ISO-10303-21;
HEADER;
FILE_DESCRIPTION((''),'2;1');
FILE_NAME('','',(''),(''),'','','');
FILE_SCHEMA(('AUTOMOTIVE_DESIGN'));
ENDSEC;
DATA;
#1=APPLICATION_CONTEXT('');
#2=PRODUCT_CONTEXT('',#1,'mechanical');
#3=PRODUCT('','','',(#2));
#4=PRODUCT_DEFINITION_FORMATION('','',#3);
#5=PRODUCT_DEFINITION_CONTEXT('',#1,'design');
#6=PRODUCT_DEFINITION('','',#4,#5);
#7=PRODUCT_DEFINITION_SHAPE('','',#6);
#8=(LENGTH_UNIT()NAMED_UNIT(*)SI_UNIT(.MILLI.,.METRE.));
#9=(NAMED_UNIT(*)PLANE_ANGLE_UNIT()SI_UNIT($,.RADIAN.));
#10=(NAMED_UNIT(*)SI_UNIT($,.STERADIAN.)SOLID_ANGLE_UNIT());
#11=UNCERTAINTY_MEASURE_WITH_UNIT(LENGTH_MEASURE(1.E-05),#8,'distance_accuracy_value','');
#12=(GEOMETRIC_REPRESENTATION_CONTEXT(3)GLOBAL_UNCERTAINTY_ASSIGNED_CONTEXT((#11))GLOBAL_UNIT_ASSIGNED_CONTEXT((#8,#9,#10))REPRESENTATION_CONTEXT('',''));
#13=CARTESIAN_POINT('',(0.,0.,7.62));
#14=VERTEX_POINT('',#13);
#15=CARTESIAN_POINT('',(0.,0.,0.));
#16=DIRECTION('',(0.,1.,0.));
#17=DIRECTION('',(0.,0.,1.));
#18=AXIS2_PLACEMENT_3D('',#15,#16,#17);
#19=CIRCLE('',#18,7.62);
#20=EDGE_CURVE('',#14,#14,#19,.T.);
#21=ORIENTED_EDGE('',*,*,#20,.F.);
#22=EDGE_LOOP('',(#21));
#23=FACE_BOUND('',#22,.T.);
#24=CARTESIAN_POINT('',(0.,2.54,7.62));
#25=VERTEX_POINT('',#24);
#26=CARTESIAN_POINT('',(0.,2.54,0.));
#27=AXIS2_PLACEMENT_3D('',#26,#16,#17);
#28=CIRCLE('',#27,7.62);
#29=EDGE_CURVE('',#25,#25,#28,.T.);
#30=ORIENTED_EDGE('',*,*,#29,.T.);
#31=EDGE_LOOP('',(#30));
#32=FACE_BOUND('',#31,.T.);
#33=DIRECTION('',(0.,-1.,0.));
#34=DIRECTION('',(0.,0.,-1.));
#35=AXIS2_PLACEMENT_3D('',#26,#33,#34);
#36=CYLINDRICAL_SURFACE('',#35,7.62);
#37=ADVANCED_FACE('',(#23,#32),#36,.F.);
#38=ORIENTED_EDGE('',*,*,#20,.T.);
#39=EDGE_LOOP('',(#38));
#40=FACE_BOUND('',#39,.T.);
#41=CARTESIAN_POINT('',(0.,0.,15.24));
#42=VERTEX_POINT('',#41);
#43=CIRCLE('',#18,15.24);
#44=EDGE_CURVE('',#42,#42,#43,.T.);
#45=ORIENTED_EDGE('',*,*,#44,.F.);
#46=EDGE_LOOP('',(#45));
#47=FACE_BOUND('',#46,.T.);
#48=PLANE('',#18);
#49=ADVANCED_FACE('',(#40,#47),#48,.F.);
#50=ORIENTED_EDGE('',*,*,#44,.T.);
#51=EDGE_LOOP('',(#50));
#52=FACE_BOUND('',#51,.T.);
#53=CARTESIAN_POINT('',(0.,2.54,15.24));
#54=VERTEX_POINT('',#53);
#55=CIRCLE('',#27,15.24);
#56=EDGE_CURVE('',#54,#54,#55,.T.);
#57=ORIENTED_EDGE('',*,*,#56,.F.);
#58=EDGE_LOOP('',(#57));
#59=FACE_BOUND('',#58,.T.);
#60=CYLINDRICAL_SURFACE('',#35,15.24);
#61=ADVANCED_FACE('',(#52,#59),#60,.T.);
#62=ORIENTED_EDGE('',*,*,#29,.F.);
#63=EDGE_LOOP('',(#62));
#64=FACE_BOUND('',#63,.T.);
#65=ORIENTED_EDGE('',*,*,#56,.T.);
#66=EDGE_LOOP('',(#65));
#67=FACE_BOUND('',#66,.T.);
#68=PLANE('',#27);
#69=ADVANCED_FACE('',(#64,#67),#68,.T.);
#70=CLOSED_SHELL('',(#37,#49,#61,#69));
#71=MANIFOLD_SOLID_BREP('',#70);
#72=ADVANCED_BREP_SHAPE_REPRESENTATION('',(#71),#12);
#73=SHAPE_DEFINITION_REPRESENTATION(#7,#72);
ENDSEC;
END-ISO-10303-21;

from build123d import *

# Parameters (mm, degrees)
SKETCH1_R           = 15.24
SKETCH1_R_2         = 7.62
BOSS_EXTRUDE1_DEPTH = 2.54


with BuildPart() as part:
    # Sketch1 → Boss-Extrude1 (new body)
    with BuildSketch(Plane(origin=(0, 0, 0), x_dir=(1, 0, 0), z_dir=(0, 1, 0))):
        with Locations(Location((0, 0, 0), (0, 0, 270))):
            Circle(SKETCH1_R)
        with Locations(Location((0, 0, 0), (0, 0, 270))):
            Circle(SKETCH1_R_2, mode=Mode.SUBTRACT)
    extrude(amount=BOSS_EXTRUDE1_DEPTH)


solid = part.part
